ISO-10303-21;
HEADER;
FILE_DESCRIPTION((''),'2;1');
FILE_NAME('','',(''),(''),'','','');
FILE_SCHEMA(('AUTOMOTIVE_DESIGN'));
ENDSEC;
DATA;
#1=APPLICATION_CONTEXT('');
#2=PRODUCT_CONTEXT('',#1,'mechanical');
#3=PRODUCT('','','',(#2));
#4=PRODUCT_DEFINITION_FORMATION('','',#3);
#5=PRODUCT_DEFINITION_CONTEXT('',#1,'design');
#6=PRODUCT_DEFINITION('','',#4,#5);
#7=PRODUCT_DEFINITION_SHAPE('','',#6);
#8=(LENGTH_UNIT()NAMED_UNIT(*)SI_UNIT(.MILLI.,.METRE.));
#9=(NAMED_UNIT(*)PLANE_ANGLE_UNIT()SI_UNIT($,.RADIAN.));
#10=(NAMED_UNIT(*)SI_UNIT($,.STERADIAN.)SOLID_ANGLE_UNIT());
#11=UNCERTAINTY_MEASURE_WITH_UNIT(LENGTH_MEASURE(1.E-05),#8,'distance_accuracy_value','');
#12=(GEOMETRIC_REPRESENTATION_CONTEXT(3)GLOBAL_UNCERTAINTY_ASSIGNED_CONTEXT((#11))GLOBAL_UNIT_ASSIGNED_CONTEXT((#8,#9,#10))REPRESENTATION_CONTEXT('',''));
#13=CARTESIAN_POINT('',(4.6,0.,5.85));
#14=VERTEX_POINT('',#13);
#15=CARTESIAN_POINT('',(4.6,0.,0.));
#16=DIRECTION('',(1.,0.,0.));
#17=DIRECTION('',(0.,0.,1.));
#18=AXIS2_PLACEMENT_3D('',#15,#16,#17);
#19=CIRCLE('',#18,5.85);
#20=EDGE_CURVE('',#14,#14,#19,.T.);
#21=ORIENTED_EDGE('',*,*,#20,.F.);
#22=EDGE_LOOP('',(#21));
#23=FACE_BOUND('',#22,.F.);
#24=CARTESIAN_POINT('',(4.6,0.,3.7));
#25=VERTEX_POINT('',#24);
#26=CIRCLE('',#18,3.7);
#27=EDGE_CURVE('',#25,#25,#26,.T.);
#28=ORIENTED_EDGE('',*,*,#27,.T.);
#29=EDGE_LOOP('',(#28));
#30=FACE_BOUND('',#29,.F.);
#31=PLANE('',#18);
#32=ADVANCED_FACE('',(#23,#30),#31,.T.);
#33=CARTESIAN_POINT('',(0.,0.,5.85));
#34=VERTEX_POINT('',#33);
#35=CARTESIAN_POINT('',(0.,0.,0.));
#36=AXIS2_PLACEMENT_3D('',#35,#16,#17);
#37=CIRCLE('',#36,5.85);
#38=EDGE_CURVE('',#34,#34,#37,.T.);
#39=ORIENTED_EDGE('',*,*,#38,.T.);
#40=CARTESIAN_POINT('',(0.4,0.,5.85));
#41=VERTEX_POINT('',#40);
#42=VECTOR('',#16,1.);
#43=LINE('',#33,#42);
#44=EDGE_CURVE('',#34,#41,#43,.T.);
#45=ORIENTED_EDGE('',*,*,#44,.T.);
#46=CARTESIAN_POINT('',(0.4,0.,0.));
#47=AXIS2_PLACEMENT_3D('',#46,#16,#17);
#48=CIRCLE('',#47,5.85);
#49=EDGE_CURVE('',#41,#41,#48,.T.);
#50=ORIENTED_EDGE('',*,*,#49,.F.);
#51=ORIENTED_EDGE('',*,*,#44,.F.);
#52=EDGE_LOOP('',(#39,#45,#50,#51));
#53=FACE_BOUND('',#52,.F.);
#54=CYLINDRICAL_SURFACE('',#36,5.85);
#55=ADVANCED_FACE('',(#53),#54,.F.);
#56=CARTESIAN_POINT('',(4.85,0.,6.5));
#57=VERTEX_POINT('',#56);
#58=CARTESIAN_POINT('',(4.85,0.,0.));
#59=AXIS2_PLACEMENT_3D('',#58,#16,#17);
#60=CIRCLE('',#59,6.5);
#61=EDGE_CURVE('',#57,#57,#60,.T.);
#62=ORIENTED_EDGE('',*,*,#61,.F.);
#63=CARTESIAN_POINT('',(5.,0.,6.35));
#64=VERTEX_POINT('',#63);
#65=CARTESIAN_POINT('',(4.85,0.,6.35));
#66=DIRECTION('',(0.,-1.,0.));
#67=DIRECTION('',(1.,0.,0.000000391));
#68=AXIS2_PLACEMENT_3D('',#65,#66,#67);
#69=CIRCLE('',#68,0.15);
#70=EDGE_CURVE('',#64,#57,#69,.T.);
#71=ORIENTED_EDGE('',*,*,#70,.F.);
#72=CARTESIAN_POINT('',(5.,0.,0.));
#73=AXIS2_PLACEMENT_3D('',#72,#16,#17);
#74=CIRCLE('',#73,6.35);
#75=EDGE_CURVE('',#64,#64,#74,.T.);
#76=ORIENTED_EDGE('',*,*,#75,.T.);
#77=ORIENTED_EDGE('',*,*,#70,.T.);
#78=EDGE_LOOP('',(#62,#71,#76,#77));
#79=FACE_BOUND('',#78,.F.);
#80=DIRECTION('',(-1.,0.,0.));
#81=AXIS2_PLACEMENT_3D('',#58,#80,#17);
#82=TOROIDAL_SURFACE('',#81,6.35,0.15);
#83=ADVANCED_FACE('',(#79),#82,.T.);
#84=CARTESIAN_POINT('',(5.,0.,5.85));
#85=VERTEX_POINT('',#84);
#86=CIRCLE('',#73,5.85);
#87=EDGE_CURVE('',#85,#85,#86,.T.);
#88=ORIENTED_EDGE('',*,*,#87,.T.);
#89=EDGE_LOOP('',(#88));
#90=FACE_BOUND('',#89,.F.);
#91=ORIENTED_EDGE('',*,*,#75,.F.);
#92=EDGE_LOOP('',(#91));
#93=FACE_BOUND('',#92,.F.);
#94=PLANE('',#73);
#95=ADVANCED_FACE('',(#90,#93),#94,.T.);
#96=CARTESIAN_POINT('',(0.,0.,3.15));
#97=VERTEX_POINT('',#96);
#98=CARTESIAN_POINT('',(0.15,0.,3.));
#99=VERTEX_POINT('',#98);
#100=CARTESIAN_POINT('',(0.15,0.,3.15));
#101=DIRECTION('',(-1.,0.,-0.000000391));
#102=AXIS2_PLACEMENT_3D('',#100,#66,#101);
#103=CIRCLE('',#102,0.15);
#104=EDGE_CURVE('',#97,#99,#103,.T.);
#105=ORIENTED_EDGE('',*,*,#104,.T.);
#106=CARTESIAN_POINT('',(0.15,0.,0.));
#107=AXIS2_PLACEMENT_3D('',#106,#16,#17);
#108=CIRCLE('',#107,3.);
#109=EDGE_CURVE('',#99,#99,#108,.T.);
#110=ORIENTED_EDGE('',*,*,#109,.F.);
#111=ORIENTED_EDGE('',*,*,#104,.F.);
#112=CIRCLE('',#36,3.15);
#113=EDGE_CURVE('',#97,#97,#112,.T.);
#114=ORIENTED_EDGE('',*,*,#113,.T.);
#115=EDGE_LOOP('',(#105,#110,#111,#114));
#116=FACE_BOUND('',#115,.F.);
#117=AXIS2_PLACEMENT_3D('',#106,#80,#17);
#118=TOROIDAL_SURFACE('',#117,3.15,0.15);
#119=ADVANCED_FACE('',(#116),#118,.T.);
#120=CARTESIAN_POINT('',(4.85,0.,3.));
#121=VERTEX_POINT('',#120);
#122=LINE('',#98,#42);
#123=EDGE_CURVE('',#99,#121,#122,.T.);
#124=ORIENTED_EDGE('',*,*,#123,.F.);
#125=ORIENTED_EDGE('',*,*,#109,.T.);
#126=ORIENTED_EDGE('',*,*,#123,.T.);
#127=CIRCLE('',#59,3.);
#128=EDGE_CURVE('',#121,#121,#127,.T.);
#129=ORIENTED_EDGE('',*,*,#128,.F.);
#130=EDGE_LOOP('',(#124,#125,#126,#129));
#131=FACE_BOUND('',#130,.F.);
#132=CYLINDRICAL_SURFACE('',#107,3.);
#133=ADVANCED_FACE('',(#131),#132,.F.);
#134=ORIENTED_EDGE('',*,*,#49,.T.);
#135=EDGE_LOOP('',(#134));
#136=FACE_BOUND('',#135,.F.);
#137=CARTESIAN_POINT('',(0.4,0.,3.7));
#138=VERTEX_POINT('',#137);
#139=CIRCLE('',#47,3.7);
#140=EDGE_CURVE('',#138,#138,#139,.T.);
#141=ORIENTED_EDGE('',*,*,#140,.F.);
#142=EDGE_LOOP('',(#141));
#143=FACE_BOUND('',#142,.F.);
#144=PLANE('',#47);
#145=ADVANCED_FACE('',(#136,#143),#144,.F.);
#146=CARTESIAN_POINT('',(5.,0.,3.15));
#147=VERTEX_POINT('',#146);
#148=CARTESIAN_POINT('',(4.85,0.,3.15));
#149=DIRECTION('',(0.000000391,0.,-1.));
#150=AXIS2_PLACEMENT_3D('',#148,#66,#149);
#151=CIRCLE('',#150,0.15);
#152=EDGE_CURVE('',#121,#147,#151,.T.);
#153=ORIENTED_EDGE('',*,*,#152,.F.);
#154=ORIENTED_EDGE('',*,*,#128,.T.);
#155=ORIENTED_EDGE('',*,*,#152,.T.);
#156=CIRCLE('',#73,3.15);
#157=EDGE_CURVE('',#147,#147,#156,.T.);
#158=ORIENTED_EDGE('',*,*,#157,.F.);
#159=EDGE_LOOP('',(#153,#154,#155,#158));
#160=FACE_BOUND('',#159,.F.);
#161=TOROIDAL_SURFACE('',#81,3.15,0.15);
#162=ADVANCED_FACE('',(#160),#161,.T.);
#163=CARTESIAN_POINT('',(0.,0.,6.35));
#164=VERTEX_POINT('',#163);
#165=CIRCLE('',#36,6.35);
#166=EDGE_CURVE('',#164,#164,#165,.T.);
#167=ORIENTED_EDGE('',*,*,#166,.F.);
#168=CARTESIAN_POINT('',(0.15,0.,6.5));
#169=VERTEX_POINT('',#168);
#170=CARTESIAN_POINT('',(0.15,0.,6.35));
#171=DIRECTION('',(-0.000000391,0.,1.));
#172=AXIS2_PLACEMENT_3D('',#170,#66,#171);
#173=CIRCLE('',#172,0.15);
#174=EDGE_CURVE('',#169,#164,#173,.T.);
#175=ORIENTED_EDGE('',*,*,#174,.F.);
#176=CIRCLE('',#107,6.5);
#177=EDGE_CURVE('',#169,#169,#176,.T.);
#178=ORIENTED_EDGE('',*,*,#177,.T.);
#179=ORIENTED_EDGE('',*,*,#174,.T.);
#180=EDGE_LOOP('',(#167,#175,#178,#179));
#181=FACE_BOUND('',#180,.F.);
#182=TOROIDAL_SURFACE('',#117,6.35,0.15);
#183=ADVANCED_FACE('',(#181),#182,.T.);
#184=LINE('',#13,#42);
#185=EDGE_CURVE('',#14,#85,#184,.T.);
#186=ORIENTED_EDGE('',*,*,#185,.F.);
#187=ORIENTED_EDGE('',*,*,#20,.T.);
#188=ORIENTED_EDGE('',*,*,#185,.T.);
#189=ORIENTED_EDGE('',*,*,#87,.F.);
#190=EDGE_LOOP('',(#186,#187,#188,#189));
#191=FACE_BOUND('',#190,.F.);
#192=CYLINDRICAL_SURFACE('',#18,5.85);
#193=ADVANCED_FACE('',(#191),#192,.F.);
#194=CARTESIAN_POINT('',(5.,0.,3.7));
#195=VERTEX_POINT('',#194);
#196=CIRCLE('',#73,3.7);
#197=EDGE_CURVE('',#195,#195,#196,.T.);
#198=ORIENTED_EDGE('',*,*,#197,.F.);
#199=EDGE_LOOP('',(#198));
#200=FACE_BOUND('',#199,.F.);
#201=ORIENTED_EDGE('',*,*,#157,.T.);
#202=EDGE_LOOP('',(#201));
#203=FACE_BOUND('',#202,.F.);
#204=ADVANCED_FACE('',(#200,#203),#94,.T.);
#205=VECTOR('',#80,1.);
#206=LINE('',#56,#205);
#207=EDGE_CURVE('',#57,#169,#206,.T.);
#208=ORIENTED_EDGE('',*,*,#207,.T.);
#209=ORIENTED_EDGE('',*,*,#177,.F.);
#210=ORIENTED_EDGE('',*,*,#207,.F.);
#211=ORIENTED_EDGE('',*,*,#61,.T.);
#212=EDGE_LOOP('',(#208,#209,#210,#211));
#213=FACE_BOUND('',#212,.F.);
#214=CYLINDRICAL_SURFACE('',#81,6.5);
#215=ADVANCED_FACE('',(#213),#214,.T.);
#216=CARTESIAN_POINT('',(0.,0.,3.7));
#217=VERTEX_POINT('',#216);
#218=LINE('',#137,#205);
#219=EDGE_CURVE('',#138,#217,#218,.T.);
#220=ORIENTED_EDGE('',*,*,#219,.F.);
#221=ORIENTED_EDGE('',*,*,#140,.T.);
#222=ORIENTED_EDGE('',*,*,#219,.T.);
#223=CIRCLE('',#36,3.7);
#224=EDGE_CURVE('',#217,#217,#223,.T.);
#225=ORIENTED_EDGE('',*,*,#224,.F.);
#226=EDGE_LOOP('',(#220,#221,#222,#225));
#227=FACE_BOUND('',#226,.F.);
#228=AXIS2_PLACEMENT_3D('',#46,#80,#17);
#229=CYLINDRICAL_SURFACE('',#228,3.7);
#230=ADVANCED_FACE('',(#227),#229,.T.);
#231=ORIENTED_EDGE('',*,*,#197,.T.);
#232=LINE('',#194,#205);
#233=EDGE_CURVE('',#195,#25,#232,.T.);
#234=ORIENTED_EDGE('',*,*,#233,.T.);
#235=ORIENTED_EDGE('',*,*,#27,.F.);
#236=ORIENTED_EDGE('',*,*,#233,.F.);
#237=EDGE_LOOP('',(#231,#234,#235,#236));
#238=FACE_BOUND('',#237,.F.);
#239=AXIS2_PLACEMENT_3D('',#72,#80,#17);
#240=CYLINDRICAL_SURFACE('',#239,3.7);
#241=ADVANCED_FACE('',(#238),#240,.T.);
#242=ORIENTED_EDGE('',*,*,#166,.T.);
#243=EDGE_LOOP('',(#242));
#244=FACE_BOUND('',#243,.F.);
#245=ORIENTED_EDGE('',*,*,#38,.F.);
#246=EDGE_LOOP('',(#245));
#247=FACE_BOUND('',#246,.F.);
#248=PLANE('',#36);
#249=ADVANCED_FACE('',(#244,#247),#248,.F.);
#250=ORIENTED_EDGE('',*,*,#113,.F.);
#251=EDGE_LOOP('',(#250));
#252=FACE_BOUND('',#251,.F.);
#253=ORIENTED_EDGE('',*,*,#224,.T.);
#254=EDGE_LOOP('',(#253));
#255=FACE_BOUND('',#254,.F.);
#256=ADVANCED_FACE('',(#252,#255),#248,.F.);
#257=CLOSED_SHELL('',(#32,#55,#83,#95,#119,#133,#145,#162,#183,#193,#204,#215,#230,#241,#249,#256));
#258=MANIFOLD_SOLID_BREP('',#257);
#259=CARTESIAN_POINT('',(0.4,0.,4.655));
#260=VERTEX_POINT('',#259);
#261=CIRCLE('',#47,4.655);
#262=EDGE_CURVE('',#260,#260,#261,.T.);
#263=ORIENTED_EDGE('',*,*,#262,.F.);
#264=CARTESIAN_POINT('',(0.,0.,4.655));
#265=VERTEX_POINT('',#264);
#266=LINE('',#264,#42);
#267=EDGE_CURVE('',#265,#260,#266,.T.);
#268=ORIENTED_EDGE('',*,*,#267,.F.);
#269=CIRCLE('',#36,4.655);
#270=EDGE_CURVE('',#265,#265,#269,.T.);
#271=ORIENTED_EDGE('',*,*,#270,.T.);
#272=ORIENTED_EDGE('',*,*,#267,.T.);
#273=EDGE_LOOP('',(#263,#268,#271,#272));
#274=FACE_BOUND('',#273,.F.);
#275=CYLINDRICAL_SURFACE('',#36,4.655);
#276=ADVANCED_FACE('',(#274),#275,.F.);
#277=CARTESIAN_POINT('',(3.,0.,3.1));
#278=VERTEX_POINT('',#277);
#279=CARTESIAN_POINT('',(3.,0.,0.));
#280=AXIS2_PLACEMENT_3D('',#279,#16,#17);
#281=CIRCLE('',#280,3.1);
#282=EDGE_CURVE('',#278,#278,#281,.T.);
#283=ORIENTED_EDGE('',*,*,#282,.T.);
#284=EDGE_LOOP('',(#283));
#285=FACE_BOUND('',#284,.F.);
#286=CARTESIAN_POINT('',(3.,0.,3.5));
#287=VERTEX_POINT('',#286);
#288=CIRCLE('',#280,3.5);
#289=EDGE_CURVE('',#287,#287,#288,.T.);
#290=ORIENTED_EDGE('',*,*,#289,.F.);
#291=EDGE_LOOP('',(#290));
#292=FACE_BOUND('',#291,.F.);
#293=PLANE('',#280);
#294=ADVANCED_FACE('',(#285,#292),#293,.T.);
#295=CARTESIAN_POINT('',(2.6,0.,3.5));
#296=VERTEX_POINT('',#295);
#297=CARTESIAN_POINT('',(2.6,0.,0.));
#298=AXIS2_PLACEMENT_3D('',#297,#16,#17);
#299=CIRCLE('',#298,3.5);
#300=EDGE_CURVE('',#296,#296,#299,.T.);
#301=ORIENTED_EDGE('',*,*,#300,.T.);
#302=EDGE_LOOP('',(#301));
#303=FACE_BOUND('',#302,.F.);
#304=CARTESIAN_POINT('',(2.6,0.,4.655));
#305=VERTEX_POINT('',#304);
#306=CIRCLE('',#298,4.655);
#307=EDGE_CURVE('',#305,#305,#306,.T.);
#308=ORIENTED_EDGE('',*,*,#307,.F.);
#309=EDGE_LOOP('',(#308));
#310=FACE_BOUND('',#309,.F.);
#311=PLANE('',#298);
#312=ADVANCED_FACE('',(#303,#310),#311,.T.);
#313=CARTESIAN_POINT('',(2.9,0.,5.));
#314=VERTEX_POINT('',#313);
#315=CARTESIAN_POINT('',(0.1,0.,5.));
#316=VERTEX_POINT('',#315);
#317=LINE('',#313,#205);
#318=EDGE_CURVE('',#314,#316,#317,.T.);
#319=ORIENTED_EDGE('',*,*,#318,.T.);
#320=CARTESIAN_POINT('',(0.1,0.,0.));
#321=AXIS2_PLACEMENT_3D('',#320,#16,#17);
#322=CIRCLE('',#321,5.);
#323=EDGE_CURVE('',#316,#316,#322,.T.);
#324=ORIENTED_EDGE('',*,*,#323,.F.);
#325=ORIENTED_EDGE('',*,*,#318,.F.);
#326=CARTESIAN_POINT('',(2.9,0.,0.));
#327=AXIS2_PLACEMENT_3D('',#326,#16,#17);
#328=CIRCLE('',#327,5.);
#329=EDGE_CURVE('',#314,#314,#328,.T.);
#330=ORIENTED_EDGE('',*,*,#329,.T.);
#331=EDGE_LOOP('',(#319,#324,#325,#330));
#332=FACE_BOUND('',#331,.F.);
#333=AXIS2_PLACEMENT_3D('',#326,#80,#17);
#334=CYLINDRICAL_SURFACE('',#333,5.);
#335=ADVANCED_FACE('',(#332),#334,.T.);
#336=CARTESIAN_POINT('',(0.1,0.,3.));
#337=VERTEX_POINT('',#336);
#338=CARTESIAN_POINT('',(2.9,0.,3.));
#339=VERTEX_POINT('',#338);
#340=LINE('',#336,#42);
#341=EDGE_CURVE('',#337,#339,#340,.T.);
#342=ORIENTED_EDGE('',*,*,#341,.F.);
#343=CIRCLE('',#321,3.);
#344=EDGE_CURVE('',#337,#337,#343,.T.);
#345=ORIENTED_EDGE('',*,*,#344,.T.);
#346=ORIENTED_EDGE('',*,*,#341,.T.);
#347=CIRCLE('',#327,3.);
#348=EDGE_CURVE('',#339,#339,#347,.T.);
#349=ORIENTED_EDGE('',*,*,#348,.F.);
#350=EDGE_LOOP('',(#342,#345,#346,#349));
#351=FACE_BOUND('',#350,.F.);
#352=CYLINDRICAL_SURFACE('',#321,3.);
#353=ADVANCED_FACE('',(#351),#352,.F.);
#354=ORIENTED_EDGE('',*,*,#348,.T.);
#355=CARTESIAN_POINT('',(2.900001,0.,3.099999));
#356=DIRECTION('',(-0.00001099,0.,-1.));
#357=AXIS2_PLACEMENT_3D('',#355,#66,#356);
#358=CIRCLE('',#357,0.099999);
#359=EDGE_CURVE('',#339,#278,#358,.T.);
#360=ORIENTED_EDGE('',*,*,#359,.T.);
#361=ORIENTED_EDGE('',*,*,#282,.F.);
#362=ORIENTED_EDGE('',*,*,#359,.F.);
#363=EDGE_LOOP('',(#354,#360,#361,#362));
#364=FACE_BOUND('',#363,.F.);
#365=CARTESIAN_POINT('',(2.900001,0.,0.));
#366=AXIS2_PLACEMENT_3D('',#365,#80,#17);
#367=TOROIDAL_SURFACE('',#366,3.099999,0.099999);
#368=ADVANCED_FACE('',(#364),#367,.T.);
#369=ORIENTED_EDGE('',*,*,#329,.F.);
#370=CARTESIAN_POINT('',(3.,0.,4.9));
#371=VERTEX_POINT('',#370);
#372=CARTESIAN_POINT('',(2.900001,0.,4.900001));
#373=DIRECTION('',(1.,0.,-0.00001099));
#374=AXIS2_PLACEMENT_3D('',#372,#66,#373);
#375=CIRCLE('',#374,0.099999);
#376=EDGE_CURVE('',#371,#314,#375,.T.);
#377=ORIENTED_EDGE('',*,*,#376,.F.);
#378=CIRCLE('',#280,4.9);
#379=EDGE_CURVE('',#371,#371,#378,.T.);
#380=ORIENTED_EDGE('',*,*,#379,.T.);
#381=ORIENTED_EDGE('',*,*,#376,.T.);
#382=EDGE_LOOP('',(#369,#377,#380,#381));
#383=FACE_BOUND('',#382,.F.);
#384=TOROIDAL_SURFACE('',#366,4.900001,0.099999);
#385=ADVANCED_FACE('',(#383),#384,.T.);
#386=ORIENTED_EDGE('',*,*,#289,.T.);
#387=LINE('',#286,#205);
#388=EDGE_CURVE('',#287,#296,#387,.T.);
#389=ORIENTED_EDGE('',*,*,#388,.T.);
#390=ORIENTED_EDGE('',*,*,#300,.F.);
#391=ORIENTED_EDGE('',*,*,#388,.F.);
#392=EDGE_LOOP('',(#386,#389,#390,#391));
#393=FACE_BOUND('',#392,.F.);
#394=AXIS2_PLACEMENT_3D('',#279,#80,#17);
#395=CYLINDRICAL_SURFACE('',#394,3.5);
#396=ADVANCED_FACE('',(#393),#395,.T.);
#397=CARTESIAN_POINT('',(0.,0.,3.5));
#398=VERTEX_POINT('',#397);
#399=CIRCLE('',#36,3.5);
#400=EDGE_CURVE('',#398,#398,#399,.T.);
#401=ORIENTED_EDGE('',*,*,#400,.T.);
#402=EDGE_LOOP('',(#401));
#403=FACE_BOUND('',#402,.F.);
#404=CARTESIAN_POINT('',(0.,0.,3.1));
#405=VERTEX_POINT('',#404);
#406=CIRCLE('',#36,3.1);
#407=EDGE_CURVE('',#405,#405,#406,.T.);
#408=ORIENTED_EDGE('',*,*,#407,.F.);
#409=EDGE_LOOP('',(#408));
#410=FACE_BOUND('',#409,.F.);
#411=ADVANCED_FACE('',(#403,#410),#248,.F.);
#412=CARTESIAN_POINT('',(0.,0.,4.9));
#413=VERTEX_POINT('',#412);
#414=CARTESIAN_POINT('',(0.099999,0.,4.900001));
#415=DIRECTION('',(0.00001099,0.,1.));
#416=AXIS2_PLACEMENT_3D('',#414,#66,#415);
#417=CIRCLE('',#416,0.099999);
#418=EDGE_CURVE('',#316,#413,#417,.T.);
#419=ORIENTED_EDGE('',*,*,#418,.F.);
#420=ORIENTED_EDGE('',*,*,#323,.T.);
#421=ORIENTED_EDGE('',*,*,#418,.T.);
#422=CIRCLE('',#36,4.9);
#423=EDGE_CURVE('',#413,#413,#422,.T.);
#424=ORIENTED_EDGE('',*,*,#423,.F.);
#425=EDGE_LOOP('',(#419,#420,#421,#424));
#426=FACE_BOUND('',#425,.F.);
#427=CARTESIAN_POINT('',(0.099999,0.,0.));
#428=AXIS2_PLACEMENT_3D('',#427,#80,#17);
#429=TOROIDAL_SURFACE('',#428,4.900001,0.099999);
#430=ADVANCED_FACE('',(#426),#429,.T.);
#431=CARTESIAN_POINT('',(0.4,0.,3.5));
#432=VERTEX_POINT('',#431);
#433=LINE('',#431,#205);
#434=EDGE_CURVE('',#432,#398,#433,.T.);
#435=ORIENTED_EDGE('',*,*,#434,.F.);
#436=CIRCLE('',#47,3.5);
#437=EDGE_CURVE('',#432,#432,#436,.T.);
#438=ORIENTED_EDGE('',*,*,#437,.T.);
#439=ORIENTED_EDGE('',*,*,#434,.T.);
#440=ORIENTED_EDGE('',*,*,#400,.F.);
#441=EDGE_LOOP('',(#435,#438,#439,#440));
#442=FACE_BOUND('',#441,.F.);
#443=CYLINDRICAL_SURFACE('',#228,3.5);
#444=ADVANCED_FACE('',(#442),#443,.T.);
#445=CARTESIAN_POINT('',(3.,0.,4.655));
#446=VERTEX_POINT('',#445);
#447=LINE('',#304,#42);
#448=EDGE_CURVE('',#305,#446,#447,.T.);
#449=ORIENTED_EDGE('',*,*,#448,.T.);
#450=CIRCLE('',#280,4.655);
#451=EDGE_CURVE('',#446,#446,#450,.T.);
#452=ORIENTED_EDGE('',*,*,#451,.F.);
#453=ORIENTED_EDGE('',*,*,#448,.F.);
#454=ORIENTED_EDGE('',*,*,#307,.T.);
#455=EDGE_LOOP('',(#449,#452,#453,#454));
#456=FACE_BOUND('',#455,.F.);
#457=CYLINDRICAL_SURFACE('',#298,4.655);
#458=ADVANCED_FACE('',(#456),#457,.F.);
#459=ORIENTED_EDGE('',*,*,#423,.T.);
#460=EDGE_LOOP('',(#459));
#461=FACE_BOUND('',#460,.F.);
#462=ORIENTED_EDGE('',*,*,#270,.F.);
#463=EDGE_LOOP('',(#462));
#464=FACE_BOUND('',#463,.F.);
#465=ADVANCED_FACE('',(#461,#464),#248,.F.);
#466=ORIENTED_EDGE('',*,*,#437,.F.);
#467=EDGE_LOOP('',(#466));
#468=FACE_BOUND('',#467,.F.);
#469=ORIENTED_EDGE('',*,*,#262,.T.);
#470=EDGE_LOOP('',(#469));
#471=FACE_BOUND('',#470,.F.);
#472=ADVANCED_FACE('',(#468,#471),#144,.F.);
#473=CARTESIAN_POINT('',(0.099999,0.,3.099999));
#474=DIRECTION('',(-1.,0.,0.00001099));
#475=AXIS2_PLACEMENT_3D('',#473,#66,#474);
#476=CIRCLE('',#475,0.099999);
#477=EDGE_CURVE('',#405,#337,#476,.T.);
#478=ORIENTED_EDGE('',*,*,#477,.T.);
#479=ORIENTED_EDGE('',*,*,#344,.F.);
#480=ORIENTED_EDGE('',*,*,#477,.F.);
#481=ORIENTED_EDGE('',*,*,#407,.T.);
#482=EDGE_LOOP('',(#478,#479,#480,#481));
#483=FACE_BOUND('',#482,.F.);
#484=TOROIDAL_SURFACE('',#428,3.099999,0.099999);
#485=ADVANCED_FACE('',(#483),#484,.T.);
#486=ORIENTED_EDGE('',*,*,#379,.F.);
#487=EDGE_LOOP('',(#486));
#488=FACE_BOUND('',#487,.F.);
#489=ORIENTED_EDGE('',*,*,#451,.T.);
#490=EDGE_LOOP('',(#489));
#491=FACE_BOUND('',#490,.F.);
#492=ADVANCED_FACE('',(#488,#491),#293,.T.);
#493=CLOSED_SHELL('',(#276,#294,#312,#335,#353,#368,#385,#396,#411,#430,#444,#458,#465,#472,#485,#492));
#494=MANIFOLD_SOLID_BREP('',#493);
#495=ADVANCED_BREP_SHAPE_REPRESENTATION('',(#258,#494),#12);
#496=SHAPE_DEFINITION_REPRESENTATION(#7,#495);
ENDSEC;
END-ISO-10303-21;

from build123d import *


with BuildPart() as f1:
    # F0 (on Front) → F1 (revolve)
    with BuildSketch(Plane.XZ):
        with BuildLine():
            Line((4.85, 6.5), (0.15, 6.5))
            ThreePointArc((0.15, 6.5), (0.043934, 6.456066), (0, 6.35))
            Line((0, 6.35), (0, 5.85))
            Line((0, 5.85), (0.4, 5.85))
            Line((0.4, 5.85), (0.4, 3.7))
            Line((0.4, 3.7), (0, 3.7))
            Line((0, 3.7), (0, 3.15))
            ThreePointArc((0, 3.15), (0.043934, 3.043934), (0.15, 3))
            Line((0.15, 3), (4.85, 3))
            ThreePointArc((4.85, 3), (4.956066, 3.043934), (5, 3.15))
            Line((5, 3.15), (5, 3.7))
            Line((5, 3.7), (4.6, 3.7))
            Line((4.6, 3.7), (4.6, 5.85))
            Line((4.6, 5.85), (5, 5.85))
            Line((5, 5.85), (5, 6.35))
            ThreePointArc((5, 6.35), (4.956066, 6.456066), (4.85, 6.5))
        make_face()
    revolve(axis=Axis((3.421947, 0, 0), (1, 0, 0)))


with BuildPart() as f3:
    # F2 (on Front) → F3 (revolve)
    with BuildSketch(Plane.XZ):
        with BuildLine():
            Line((2.9, 5), (0.1, 5))
            ThreePointArc((0.1, 5), (0.029289, 4.970711), (0, 4.9))
            Line((0, 4.9), (0, 4.655))
            Line((0, 4.655), (0.4, 4.655))
            Line((0.4, 4.655), (0.4, 3.5))
            Line((0.4, 3.5), (0, 3.5))
            Line((0, 3.5), (0, 3.1))
            ThreePointArc((0, 3.1), (0.029289, 3.029289), (0.1, 3))
            Line((0.1, 3), (2.9, 3))
            ThreePointArc((2.9, 3), (2.970711, 3.029289), (3, 3.1))
            Line((3, 3.1), (3, 3.5))
            Line((3, 3.5), (2.6, 3.5))
            Line((2.6, 3.5), (2.6, 4.655))
            Line((2.6, 4.655), (3, 4.655))
            Line((3, 4.655), (3, 4.9))
            ThreePointArc((3, 4.9), (2.970711, 4.970711), (2.9, 5))
        make_face()
    revolve(axis=Axis((-66.159006, 0, 0), (1, 0, 0)))


solid = Compound([f1.part, f3.part])
